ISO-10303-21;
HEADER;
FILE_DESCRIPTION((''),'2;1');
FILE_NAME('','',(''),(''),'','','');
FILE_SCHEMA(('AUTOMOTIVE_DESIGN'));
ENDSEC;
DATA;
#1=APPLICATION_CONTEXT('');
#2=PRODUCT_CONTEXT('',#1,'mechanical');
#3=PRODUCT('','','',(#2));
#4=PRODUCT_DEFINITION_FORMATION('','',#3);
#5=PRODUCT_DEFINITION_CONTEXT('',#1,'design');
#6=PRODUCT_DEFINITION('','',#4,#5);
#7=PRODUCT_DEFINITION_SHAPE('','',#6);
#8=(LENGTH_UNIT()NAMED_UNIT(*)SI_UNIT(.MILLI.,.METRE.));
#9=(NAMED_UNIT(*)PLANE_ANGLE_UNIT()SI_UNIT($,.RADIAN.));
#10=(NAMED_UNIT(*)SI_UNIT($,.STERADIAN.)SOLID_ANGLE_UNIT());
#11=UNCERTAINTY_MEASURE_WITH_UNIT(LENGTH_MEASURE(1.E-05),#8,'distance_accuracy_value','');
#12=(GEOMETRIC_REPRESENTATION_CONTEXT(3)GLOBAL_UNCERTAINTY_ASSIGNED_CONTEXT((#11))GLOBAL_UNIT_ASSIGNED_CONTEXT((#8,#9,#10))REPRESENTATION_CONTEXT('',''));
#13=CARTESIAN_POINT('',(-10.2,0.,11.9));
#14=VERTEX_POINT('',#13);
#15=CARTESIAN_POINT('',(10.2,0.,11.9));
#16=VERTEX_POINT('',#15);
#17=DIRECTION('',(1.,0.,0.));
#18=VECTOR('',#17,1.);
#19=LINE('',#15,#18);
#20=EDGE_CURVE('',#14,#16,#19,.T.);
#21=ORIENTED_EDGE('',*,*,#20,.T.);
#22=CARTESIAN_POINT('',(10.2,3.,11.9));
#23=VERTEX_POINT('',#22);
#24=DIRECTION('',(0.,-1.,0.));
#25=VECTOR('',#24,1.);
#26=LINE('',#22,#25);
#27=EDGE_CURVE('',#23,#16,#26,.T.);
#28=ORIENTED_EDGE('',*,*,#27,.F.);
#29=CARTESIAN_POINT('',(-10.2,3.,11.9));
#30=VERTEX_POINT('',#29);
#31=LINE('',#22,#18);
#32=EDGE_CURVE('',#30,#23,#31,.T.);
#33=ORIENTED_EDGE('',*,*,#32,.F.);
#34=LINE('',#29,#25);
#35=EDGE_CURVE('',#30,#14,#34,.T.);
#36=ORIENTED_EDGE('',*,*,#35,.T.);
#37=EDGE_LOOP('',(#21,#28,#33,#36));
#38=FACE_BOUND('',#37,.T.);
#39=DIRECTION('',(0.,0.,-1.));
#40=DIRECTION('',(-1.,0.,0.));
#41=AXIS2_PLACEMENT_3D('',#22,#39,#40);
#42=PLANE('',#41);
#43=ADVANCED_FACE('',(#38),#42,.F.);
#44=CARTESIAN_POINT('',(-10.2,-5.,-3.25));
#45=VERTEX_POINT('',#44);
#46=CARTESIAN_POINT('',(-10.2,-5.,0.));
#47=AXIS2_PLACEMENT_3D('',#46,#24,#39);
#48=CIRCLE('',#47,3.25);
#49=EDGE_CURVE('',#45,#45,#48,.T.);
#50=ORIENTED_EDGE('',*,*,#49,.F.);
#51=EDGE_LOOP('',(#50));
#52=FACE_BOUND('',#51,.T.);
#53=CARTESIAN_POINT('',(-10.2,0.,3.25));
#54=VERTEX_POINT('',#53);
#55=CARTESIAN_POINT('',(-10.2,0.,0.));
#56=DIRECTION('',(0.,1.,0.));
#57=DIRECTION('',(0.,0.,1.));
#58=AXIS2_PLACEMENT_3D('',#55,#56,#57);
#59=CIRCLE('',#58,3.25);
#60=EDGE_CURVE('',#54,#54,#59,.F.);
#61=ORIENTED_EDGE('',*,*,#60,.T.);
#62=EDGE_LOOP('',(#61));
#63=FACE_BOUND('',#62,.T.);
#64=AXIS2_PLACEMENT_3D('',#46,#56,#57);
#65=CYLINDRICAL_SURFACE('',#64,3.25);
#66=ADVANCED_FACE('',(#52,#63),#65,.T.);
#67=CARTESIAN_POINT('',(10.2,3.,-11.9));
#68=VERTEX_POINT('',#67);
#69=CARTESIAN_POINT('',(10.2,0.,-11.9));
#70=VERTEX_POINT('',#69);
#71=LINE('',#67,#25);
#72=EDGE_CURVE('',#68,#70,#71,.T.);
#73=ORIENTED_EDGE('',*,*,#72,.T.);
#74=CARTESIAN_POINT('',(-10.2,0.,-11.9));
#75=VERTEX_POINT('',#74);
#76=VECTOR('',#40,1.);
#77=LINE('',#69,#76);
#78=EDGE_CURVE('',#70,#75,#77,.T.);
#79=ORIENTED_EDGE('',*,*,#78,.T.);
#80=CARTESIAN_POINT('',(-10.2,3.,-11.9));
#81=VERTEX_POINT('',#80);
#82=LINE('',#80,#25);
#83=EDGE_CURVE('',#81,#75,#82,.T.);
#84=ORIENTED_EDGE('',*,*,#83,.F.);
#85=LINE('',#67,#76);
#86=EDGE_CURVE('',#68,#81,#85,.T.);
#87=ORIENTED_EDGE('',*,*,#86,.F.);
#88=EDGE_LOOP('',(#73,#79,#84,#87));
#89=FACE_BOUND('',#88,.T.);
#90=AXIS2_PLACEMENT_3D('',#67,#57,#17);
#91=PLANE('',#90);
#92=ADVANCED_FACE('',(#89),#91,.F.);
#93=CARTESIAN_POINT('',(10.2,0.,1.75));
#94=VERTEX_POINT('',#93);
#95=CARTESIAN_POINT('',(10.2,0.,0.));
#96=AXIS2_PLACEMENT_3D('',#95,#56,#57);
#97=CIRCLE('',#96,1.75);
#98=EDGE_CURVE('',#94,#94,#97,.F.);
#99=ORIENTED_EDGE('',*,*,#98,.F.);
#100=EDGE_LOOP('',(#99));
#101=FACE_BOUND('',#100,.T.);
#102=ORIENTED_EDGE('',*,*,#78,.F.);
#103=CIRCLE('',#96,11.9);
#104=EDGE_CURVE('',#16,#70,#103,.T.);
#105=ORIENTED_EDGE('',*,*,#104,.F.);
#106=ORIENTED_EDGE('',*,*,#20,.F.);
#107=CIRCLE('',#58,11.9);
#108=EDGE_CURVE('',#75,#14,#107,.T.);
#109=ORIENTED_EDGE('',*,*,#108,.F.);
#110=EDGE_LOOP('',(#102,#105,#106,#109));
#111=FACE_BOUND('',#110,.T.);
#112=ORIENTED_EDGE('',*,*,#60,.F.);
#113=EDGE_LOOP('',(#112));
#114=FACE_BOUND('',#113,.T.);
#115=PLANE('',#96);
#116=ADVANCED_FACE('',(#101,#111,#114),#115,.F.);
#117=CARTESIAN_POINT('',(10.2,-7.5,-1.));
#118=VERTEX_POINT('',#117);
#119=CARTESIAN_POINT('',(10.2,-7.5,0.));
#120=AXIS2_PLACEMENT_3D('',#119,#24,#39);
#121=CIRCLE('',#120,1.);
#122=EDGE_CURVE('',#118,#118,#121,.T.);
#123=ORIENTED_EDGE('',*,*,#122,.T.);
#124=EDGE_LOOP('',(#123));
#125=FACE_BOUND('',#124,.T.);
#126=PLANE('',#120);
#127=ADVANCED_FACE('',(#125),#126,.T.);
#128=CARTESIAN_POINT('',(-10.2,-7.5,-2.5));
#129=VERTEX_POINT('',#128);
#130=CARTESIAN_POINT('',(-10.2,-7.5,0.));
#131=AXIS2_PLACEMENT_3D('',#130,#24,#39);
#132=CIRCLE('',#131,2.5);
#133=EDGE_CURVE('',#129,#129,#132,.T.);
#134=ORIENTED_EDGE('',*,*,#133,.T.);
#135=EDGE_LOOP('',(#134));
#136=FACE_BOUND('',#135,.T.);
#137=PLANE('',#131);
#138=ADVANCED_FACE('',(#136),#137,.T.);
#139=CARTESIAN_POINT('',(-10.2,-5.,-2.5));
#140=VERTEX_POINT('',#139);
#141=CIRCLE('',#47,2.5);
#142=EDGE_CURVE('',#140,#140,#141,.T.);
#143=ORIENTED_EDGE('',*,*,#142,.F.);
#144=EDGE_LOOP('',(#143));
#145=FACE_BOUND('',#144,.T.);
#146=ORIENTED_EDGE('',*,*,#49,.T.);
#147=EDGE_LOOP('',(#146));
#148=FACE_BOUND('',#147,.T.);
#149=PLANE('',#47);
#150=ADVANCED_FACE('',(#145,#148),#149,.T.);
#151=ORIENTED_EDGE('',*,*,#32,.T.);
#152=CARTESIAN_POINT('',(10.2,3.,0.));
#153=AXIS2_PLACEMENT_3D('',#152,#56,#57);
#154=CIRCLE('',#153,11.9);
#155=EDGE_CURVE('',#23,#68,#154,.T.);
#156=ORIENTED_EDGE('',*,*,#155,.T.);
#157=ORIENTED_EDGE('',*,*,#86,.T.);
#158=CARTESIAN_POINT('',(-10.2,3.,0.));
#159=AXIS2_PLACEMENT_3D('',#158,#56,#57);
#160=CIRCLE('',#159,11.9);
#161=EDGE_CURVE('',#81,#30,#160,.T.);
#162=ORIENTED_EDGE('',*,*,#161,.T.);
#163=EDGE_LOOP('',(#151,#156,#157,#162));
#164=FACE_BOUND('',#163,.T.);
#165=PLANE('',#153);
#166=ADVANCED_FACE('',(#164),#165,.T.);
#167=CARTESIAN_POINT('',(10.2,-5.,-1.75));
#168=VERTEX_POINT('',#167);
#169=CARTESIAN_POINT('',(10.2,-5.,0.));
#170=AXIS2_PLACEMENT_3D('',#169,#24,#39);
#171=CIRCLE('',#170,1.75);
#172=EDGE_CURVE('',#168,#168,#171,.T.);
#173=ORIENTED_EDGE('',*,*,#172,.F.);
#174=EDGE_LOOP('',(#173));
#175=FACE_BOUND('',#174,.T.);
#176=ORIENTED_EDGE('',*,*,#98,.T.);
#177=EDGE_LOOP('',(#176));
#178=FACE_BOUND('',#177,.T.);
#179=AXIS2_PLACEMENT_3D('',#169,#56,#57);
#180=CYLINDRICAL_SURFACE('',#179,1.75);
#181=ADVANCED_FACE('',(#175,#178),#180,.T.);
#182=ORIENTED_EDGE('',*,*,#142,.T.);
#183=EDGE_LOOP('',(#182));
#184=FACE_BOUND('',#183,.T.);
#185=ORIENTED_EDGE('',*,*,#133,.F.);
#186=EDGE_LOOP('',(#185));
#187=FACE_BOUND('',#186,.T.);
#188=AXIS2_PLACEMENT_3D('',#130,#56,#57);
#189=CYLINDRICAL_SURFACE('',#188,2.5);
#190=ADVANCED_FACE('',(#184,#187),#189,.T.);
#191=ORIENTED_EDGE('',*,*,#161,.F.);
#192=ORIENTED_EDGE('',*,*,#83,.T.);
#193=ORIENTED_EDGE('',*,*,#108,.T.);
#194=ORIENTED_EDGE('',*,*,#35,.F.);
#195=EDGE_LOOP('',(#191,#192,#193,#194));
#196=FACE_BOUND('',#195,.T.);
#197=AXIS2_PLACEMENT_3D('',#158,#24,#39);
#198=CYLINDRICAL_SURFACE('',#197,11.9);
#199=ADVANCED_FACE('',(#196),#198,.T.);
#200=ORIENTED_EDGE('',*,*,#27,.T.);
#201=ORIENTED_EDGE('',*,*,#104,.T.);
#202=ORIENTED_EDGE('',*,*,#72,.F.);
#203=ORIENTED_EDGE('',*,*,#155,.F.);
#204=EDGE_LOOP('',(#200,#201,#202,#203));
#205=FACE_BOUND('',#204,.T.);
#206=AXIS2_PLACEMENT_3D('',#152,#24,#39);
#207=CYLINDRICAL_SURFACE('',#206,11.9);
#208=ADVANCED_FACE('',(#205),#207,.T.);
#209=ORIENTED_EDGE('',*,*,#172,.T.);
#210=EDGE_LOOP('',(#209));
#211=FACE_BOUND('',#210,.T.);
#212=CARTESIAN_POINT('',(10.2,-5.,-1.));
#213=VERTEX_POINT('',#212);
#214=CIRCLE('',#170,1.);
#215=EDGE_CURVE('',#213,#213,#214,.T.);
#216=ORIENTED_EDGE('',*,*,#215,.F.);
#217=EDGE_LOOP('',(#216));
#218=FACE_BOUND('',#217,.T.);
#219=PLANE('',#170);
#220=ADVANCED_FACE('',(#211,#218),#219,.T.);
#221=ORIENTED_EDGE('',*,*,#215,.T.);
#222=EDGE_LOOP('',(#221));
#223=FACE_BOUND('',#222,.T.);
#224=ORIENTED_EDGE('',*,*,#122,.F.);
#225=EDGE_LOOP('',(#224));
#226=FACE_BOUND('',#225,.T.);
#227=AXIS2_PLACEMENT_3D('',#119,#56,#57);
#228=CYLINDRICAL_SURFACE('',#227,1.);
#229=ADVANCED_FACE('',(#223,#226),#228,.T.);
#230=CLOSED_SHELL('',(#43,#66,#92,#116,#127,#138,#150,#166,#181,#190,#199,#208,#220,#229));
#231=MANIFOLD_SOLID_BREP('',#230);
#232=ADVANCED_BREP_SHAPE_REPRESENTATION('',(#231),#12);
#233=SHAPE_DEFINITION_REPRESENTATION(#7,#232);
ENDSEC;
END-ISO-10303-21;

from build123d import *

# Parameters (mm, degrees)
BOSS_EXTRU_1_DEPTH = 3
ESQUISSE2_R        = 3.25
ESQUISSE2_R_2      = 1.75
BOSS_EXTRU_2_DEPTH = 5
ESQUISSE3_R        = 2.5
ESQUISSE3_R_2      = 1
BOSS_EXTRU_3_DEPTH = 2.5


with BuildPart() as part:
    # Esquisse1 → Boss.-Extru.1 (new body)
    with BuildSketch(Plane(origin=(0, 0, 0), x_dir=(1, 0, 0), z_dir=(0, 1, 0))):
        with BuildLine():
            Line((10.2, -11.9), (-10.2, -11.9))
            ThreePointArc((-10.2, -11.9), (-22.1, 0), (-10.2, 11.9))
            Line((-10.2, 11.9), (10.2, 11.9))
            ThreePointArc((10.2, 11.9), (22.1, 0), (10.2, -11.9))
        make_face()
    extrude(amount=BOSS_EXTRU_1_DEPTH)

    # Esquisse2 → Boss.-Extru.2 (add)
    with BuildSketch(Plane.XZ):
        with Locations(Location((-10.2, 0, 0), (0, 0, 90))):
            Circle(ESQUISSE2_R)
        with Locations(Location((10.2, 0, 0), (0, 0, 90))):
            Circle(ESQUISSE2_R_2)
    extrude(amount=BOSS_EXTRU_2_DEPTH)

    # Esquisse3 → Boss.-Extru.3 (add)
    with BuildSketch(Plane.XZ.offset(5)):
        with Locations(Location((-10.2, 0, 0), (0, 0, 270))):
            Circle(ESQUISSE3_R)
        with Locations(Location((10.2, 0, 0), (0, 0, 270))):
            Circle(ESQUISSE3_R_2)
    extrude(amount=BOSS_EXTRU_3_DEPTH)


solid = part.part
